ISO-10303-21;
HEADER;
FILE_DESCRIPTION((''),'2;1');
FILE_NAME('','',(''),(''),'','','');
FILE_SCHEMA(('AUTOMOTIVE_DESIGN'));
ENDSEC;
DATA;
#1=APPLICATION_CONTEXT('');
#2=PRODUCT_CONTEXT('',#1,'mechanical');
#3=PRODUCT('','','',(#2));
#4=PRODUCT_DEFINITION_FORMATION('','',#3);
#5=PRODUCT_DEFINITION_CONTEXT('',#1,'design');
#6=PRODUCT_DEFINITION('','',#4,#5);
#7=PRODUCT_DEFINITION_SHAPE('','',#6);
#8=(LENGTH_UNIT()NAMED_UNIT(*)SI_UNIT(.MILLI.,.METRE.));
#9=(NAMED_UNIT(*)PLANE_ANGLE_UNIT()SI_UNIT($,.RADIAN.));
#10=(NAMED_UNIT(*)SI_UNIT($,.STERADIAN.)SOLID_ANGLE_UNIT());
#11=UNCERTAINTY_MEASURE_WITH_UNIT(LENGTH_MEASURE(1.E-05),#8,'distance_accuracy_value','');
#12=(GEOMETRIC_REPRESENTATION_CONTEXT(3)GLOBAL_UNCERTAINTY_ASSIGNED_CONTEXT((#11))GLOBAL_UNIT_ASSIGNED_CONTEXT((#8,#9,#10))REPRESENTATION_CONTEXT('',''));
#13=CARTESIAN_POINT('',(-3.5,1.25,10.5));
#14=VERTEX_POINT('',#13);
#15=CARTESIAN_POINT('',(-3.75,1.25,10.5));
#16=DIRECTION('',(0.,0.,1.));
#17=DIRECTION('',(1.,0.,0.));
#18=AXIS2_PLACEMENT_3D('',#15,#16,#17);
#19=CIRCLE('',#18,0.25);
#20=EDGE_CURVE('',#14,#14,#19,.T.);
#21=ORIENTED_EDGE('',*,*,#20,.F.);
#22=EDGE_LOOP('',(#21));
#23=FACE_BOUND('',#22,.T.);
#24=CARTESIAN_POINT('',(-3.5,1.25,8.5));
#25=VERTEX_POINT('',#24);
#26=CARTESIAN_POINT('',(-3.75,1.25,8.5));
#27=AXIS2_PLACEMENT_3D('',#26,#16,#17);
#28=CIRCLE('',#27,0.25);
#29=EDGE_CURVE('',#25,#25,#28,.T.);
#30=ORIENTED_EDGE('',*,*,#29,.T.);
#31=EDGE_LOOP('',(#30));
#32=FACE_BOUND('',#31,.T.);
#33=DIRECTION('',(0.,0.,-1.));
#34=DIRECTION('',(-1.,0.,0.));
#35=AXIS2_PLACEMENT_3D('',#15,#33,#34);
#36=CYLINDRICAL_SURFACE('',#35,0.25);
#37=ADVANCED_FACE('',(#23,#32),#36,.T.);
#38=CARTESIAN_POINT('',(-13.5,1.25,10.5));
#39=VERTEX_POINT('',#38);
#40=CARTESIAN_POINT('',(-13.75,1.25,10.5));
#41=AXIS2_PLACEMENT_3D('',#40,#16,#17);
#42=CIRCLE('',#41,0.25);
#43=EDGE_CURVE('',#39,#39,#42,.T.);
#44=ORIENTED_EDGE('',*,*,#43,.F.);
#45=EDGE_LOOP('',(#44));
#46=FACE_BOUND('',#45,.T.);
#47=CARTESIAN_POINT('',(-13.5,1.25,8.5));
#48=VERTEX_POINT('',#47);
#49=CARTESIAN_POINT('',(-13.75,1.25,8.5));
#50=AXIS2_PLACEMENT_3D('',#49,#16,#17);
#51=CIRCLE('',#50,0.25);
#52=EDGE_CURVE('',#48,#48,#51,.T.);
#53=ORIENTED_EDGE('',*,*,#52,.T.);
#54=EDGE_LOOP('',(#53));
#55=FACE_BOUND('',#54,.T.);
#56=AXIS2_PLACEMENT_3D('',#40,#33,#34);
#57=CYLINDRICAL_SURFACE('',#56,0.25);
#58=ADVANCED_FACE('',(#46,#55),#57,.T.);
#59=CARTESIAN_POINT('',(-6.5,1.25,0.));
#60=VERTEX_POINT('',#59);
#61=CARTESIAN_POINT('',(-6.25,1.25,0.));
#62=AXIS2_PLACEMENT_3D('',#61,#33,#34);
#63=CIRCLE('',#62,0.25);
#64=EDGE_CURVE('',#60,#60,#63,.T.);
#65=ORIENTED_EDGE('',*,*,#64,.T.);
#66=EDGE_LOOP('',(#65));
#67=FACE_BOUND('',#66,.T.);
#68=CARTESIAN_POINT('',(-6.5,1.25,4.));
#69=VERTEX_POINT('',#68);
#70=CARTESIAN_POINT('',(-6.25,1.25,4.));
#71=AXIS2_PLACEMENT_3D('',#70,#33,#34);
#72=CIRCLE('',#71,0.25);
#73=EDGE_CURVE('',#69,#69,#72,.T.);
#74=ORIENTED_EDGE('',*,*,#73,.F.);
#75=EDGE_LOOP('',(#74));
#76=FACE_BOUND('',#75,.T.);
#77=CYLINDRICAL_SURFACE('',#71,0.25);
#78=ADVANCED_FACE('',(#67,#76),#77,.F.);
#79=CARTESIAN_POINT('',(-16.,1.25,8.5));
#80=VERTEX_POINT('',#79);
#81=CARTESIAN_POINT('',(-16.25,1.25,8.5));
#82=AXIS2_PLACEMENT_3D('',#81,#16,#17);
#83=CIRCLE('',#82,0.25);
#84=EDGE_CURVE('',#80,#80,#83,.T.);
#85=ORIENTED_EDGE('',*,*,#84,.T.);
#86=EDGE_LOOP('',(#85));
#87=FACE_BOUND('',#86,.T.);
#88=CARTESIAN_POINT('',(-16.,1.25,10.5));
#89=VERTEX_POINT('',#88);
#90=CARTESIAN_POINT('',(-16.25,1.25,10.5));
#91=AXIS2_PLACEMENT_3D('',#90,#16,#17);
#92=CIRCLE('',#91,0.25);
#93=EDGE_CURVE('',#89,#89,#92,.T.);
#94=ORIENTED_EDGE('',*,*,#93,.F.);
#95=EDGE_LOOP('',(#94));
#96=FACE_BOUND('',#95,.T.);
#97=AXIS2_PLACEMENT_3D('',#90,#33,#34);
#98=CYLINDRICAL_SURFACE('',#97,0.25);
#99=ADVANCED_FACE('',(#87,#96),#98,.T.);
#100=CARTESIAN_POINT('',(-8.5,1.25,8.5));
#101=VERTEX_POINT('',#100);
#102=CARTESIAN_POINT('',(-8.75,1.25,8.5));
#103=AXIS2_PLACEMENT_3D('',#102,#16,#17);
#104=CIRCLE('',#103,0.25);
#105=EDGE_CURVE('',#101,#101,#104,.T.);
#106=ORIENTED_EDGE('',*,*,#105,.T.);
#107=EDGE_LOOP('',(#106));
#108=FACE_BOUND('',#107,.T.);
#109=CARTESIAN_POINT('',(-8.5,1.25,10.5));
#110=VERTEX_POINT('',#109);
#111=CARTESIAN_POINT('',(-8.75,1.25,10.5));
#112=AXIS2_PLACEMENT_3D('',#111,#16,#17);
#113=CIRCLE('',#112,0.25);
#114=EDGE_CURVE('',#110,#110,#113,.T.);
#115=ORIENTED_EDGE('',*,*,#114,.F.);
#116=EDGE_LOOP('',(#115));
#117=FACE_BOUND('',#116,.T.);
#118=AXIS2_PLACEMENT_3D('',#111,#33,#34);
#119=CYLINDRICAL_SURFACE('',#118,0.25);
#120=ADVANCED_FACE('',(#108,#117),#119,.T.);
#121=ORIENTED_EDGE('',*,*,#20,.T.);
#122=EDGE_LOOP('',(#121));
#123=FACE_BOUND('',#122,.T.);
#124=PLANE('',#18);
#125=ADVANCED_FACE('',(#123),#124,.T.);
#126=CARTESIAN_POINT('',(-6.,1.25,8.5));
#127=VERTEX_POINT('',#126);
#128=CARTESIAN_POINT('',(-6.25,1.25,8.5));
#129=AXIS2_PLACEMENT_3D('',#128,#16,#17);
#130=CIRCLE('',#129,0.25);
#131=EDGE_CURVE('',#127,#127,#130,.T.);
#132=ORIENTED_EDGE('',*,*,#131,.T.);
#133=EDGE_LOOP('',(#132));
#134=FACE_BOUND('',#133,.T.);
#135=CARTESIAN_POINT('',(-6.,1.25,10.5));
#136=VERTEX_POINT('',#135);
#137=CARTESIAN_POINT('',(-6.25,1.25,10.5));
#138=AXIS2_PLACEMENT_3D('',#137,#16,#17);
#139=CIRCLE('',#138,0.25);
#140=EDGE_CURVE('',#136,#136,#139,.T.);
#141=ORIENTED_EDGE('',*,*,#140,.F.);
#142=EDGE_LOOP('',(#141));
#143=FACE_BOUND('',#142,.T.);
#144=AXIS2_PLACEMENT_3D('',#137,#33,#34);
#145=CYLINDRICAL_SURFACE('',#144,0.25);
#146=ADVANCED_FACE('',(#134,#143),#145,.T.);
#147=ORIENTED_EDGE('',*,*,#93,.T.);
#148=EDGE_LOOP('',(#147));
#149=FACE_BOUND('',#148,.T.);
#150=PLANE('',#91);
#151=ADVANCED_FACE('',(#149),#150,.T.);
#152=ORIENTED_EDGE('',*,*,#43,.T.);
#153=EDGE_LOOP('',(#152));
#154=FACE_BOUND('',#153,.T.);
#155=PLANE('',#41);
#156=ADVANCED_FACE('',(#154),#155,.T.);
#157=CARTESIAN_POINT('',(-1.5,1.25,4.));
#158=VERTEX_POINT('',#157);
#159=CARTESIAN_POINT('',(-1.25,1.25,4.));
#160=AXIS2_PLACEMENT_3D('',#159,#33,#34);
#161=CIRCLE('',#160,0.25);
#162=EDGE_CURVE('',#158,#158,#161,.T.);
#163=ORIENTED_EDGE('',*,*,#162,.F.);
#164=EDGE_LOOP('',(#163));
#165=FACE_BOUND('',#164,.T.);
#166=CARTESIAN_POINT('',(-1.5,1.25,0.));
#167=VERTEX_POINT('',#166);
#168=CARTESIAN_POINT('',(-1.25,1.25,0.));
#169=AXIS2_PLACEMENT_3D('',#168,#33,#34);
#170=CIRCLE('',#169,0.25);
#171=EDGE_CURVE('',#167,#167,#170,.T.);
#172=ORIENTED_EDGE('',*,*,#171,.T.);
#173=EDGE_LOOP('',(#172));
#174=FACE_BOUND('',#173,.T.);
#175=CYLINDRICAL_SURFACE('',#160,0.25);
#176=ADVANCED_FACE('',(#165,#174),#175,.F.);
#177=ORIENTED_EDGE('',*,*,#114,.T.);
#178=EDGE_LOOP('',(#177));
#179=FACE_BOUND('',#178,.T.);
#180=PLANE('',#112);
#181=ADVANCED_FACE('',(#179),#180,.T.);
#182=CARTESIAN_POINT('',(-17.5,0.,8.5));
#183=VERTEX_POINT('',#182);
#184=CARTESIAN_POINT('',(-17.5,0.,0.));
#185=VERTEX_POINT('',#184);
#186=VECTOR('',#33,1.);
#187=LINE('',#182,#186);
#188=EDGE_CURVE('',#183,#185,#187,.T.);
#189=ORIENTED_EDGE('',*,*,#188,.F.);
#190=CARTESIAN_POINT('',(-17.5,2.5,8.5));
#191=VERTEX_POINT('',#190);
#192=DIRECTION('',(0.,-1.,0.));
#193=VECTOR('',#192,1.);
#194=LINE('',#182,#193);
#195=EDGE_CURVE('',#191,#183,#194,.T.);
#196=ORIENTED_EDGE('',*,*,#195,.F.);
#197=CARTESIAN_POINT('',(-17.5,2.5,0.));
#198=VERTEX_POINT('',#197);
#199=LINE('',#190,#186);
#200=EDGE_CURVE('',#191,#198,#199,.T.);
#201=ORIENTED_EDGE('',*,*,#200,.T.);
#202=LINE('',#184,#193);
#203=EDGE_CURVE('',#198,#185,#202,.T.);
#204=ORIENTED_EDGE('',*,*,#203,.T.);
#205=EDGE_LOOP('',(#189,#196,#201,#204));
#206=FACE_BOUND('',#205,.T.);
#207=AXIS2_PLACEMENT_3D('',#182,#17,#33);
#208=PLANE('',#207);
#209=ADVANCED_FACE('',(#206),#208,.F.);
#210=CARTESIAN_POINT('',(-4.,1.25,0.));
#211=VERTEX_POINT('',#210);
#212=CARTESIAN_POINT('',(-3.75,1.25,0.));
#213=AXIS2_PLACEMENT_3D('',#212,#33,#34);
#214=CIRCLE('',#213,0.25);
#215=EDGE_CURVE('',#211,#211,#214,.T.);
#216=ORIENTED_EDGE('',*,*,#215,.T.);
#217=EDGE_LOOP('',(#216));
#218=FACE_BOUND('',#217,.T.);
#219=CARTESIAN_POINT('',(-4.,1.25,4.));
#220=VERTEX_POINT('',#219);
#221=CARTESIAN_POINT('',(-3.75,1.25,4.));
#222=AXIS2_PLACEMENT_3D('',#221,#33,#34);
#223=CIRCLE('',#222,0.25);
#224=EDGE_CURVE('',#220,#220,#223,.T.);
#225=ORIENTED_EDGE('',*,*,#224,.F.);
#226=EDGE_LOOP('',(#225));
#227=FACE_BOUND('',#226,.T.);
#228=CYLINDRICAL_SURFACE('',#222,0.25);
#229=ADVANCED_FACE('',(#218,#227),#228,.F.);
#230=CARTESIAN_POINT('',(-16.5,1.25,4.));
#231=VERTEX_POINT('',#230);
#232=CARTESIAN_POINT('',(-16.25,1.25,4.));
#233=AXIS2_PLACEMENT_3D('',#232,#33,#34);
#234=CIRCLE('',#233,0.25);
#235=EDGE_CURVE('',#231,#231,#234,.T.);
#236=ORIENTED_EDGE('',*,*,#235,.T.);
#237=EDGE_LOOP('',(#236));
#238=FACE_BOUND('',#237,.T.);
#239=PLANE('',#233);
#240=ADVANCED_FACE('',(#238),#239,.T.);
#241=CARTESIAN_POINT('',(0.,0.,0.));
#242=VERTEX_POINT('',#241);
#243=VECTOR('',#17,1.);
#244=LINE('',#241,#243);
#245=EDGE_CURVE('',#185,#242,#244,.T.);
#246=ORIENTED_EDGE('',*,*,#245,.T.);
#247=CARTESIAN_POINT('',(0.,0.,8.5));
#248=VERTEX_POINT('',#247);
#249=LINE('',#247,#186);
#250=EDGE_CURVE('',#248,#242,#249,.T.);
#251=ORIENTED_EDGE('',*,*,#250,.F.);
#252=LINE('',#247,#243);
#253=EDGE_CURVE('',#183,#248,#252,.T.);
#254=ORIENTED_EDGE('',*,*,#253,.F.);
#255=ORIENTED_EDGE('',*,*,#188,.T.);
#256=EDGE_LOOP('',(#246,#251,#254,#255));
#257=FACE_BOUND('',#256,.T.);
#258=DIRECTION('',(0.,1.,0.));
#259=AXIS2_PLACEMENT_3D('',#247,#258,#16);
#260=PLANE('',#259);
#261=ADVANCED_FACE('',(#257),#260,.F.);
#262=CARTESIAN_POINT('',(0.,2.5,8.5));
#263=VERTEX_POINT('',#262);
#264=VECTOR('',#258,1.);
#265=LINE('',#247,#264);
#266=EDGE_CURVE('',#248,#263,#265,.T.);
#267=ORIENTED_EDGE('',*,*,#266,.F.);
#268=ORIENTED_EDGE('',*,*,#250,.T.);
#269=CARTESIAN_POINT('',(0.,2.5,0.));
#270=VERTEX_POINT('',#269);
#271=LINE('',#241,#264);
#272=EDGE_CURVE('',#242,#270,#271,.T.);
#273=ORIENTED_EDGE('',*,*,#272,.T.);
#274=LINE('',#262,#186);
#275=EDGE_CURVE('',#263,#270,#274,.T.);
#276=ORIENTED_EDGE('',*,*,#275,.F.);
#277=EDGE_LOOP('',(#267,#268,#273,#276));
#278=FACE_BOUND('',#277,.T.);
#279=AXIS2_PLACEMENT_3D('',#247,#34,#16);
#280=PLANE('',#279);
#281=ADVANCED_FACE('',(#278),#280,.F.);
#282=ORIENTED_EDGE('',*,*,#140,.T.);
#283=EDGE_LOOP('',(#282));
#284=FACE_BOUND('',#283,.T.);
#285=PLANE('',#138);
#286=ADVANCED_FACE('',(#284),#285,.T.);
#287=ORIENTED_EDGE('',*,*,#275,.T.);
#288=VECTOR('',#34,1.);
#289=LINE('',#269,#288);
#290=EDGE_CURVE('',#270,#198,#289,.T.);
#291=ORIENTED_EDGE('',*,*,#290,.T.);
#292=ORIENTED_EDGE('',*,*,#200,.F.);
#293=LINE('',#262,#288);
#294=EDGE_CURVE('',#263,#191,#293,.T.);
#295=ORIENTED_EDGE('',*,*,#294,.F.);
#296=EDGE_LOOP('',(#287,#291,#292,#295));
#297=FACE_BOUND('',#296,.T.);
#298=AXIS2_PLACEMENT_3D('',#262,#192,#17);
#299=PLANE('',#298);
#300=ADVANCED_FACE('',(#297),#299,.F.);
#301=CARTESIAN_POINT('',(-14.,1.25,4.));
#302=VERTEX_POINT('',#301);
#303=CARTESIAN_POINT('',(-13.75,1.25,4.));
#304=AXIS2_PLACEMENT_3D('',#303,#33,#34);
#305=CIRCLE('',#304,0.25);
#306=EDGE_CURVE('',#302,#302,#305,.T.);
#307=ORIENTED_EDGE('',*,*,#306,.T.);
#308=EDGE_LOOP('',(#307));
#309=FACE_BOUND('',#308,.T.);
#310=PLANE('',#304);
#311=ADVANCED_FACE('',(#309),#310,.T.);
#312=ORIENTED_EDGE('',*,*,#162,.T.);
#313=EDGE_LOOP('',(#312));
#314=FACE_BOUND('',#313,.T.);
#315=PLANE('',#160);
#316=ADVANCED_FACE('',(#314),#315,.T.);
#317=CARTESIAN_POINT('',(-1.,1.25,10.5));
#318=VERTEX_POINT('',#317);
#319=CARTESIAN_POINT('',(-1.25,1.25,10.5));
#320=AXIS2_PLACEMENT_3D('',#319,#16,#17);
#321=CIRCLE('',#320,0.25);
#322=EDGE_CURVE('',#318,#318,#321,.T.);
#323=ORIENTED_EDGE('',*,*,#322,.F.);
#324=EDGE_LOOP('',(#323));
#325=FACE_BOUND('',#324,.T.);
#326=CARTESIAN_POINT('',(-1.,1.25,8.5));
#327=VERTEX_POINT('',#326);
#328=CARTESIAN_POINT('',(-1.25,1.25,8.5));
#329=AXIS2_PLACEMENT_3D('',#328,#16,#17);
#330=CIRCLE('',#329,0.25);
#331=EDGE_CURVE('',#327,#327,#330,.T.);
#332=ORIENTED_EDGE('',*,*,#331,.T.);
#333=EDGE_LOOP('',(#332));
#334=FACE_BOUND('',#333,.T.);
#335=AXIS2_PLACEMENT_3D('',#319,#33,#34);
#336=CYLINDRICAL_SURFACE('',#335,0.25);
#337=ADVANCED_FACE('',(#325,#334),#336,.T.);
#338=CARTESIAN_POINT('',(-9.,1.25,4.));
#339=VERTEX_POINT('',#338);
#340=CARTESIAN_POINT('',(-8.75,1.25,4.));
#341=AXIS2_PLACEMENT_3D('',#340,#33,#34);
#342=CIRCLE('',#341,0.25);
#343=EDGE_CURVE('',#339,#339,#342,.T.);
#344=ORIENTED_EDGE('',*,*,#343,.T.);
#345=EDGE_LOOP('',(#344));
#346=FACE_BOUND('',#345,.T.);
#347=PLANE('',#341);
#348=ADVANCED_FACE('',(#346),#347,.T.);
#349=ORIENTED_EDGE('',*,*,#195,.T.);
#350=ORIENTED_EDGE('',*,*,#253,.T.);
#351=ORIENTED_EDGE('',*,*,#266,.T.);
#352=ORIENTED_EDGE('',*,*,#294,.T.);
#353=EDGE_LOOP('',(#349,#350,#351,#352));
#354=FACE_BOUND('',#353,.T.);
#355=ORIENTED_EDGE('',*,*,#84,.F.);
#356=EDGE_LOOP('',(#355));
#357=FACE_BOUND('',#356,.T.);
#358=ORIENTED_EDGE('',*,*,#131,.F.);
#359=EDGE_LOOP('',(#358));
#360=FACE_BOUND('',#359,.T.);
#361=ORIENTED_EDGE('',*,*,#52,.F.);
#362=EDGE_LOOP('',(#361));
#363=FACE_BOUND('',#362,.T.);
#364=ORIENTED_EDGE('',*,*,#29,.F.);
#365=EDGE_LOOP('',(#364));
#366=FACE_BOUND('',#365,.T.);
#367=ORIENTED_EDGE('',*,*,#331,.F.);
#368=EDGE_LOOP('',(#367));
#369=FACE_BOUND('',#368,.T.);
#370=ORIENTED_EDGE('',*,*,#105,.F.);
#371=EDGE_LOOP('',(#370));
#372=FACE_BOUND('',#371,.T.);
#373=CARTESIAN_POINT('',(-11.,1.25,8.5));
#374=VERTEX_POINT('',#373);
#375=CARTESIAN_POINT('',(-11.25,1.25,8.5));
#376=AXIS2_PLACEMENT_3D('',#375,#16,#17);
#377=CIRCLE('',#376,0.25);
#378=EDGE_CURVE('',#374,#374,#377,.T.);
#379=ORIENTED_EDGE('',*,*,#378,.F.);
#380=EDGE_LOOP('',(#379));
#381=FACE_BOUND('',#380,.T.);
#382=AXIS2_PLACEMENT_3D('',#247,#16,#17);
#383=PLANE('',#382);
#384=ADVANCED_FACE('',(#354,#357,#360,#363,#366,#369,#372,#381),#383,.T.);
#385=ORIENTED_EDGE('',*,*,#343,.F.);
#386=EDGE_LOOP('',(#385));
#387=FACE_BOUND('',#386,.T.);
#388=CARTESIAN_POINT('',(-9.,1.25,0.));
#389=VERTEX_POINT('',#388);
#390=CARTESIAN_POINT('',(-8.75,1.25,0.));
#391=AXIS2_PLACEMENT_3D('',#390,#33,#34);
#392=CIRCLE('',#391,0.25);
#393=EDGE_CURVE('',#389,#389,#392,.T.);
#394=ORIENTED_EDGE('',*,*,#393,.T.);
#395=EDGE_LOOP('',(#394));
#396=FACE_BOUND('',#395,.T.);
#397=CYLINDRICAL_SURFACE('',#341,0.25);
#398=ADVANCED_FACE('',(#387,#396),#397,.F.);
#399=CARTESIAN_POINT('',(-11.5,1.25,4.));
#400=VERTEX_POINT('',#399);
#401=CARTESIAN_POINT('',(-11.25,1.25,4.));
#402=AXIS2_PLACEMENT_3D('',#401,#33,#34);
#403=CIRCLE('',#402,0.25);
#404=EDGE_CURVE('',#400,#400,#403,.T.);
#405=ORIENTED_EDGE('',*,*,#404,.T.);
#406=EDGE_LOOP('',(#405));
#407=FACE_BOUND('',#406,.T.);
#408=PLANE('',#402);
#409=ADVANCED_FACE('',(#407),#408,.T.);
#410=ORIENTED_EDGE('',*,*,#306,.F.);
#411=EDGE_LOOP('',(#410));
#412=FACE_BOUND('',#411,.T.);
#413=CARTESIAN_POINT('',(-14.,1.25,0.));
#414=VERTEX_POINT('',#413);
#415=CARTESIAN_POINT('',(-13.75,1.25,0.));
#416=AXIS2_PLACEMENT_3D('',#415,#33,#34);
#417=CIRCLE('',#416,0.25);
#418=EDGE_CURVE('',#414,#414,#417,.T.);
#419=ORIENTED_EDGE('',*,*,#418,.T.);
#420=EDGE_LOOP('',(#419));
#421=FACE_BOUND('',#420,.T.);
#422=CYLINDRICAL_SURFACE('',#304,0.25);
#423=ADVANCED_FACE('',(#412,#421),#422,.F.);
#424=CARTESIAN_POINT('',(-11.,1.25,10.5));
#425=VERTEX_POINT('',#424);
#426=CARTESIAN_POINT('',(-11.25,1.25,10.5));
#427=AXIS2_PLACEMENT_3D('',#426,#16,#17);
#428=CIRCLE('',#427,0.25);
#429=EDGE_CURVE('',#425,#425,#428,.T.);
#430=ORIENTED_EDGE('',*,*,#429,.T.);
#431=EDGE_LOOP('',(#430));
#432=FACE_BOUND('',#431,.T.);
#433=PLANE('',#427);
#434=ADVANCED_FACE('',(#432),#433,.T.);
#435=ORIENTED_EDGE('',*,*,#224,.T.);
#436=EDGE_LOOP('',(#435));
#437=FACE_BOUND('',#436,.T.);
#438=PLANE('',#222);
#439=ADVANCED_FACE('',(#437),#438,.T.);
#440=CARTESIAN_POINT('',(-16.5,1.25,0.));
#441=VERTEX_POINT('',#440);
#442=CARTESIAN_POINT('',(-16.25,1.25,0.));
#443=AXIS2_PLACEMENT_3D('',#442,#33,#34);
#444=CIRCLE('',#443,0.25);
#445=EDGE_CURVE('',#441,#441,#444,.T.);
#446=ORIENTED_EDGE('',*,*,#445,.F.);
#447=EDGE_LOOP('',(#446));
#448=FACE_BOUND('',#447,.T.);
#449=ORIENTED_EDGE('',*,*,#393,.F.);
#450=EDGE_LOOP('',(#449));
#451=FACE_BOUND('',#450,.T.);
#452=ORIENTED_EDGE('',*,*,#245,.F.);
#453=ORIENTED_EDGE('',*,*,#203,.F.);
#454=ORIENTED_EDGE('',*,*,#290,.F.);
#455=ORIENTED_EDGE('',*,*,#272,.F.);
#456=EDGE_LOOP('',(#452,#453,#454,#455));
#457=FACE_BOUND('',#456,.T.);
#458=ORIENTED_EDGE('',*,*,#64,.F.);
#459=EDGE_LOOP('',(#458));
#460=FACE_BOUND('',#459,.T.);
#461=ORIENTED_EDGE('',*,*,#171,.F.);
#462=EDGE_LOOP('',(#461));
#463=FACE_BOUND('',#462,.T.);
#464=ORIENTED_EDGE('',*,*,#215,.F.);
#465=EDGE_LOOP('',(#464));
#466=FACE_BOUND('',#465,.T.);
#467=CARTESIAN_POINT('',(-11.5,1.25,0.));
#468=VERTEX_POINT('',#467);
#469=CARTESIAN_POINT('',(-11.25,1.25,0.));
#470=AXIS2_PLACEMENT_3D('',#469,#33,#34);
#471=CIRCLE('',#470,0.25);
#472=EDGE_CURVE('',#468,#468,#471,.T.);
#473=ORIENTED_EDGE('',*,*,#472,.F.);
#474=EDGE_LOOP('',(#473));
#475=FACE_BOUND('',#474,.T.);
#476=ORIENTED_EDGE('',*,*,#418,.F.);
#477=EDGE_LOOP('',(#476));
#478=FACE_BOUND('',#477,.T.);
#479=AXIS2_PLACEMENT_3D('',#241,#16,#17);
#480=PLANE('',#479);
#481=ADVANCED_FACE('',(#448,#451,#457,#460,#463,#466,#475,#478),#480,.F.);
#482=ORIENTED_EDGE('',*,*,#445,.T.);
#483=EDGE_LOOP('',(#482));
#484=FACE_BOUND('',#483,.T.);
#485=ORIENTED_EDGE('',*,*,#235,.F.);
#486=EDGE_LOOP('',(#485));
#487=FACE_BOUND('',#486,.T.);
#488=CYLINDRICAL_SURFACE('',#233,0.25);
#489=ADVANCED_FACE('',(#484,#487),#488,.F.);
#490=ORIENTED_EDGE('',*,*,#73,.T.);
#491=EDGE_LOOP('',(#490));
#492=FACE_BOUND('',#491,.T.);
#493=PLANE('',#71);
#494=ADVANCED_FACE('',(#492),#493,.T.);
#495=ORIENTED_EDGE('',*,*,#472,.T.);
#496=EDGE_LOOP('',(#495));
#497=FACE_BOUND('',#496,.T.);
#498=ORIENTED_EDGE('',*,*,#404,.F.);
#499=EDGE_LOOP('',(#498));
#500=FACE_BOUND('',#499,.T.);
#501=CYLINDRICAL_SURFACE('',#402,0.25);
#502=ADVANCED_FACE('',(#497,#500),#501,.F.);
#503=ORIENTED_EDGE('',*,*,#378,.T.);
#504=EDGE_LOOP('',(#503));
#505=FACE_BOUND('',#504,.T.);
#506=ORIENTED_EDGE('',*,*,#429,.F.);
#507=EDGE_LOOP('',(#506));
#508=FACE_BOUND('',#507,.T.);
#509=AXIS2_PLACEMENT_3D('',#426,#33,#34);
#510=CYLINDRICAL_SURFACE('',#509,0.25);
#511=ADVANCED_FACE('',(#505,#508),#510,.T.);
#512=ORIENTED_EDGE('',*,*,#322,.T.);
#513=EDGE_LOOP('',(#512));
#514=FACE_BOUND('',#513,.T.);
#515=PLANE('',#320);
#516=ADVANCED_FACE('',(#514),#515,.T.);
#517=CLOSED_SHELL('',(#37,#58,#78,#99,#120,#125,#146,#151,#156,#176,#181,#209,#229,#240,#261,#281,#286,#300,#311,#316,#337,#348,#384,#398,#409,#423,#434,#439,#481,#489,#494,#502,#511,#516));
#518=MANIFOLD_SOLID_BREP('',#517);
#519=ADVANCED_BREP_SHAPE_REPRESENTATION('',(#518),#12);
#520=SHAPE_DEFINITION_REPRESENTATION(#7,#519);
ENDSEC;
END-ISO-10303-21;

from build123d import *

# Parameters (mm, degrees)
ESQUISSE1_W                = 2.5
ESQUISSE1_H                = 2.5
BOSS_EXTRU_1_DEPTH         = 8.5
ESQUISSE2_R                = 0.25
BOSS_EXTRU_2_DEPTH         = 2
ESQUISSE3_R                = 0.25
ENL_V_MAT_EXTRU_2_DEPTH    = 4
R_P_TITION_LIN_AIRE1_COUNT = 7
R_P_TITION_LIN_AIRE1_PITCH = 2.5


with BuildPart() as part:
    # Esquisse1 → Boss.-Extru.1 (new body)
    with BuildSketch(Plane.XY):
        with Locations((-1.25, 1.25)):
            Rectangle(ESQUISSE1_W, ESQUISSE1_H)
    boss_extru_1 = extrude(amount=BOSS_EXTRU_1_DEPTH)

    # Esquisse2 → Boss.-Extru.2 (add)
    with BuildSketch(Plane.XY.offset(8.5)):
        with Locations((-1.25, 1.25)):
            Circle(ESQUISSE2_R)
    boss_extru_2 = extrude(amount=BOSS_EXTRU_2_DEPTH)

    # Esquisse3 → Enlèv. mat.-Extru.2 (cut)
    with BuildSketch(Plane(origin=(0, 0, 0), x_dir=(-1, 0, 0), z_dir=(0, 0, -1))):
        with Locations(Location((1.25, 1.25, 0), (0, 0, 180))):
            Circle(ESQUISSE3_R)
    enl_v_mat_extru_2 = extrude(amount=-ENL_V_MAT_EXTRU_2_DEPTH, mode=Mode.SUBTRACT)

    # Répétition linéaire1: Boss.-Extru.1, Boss.-Extru.2, Enlèv. mat.-Extru.2 ×7
    with Locations(*[(-i * R_P_TITION_LIN_AIRE1_PITCH, 0, 0) for i in range(1, R_P_TITION_LIN_AIRE1_COUNT)]):
        add(boss_extru_1)
        add(boss_extru_2)
        add(enl_v_mat_extru_2, mode=Mode.SUBTRACT)


solid = part.part
